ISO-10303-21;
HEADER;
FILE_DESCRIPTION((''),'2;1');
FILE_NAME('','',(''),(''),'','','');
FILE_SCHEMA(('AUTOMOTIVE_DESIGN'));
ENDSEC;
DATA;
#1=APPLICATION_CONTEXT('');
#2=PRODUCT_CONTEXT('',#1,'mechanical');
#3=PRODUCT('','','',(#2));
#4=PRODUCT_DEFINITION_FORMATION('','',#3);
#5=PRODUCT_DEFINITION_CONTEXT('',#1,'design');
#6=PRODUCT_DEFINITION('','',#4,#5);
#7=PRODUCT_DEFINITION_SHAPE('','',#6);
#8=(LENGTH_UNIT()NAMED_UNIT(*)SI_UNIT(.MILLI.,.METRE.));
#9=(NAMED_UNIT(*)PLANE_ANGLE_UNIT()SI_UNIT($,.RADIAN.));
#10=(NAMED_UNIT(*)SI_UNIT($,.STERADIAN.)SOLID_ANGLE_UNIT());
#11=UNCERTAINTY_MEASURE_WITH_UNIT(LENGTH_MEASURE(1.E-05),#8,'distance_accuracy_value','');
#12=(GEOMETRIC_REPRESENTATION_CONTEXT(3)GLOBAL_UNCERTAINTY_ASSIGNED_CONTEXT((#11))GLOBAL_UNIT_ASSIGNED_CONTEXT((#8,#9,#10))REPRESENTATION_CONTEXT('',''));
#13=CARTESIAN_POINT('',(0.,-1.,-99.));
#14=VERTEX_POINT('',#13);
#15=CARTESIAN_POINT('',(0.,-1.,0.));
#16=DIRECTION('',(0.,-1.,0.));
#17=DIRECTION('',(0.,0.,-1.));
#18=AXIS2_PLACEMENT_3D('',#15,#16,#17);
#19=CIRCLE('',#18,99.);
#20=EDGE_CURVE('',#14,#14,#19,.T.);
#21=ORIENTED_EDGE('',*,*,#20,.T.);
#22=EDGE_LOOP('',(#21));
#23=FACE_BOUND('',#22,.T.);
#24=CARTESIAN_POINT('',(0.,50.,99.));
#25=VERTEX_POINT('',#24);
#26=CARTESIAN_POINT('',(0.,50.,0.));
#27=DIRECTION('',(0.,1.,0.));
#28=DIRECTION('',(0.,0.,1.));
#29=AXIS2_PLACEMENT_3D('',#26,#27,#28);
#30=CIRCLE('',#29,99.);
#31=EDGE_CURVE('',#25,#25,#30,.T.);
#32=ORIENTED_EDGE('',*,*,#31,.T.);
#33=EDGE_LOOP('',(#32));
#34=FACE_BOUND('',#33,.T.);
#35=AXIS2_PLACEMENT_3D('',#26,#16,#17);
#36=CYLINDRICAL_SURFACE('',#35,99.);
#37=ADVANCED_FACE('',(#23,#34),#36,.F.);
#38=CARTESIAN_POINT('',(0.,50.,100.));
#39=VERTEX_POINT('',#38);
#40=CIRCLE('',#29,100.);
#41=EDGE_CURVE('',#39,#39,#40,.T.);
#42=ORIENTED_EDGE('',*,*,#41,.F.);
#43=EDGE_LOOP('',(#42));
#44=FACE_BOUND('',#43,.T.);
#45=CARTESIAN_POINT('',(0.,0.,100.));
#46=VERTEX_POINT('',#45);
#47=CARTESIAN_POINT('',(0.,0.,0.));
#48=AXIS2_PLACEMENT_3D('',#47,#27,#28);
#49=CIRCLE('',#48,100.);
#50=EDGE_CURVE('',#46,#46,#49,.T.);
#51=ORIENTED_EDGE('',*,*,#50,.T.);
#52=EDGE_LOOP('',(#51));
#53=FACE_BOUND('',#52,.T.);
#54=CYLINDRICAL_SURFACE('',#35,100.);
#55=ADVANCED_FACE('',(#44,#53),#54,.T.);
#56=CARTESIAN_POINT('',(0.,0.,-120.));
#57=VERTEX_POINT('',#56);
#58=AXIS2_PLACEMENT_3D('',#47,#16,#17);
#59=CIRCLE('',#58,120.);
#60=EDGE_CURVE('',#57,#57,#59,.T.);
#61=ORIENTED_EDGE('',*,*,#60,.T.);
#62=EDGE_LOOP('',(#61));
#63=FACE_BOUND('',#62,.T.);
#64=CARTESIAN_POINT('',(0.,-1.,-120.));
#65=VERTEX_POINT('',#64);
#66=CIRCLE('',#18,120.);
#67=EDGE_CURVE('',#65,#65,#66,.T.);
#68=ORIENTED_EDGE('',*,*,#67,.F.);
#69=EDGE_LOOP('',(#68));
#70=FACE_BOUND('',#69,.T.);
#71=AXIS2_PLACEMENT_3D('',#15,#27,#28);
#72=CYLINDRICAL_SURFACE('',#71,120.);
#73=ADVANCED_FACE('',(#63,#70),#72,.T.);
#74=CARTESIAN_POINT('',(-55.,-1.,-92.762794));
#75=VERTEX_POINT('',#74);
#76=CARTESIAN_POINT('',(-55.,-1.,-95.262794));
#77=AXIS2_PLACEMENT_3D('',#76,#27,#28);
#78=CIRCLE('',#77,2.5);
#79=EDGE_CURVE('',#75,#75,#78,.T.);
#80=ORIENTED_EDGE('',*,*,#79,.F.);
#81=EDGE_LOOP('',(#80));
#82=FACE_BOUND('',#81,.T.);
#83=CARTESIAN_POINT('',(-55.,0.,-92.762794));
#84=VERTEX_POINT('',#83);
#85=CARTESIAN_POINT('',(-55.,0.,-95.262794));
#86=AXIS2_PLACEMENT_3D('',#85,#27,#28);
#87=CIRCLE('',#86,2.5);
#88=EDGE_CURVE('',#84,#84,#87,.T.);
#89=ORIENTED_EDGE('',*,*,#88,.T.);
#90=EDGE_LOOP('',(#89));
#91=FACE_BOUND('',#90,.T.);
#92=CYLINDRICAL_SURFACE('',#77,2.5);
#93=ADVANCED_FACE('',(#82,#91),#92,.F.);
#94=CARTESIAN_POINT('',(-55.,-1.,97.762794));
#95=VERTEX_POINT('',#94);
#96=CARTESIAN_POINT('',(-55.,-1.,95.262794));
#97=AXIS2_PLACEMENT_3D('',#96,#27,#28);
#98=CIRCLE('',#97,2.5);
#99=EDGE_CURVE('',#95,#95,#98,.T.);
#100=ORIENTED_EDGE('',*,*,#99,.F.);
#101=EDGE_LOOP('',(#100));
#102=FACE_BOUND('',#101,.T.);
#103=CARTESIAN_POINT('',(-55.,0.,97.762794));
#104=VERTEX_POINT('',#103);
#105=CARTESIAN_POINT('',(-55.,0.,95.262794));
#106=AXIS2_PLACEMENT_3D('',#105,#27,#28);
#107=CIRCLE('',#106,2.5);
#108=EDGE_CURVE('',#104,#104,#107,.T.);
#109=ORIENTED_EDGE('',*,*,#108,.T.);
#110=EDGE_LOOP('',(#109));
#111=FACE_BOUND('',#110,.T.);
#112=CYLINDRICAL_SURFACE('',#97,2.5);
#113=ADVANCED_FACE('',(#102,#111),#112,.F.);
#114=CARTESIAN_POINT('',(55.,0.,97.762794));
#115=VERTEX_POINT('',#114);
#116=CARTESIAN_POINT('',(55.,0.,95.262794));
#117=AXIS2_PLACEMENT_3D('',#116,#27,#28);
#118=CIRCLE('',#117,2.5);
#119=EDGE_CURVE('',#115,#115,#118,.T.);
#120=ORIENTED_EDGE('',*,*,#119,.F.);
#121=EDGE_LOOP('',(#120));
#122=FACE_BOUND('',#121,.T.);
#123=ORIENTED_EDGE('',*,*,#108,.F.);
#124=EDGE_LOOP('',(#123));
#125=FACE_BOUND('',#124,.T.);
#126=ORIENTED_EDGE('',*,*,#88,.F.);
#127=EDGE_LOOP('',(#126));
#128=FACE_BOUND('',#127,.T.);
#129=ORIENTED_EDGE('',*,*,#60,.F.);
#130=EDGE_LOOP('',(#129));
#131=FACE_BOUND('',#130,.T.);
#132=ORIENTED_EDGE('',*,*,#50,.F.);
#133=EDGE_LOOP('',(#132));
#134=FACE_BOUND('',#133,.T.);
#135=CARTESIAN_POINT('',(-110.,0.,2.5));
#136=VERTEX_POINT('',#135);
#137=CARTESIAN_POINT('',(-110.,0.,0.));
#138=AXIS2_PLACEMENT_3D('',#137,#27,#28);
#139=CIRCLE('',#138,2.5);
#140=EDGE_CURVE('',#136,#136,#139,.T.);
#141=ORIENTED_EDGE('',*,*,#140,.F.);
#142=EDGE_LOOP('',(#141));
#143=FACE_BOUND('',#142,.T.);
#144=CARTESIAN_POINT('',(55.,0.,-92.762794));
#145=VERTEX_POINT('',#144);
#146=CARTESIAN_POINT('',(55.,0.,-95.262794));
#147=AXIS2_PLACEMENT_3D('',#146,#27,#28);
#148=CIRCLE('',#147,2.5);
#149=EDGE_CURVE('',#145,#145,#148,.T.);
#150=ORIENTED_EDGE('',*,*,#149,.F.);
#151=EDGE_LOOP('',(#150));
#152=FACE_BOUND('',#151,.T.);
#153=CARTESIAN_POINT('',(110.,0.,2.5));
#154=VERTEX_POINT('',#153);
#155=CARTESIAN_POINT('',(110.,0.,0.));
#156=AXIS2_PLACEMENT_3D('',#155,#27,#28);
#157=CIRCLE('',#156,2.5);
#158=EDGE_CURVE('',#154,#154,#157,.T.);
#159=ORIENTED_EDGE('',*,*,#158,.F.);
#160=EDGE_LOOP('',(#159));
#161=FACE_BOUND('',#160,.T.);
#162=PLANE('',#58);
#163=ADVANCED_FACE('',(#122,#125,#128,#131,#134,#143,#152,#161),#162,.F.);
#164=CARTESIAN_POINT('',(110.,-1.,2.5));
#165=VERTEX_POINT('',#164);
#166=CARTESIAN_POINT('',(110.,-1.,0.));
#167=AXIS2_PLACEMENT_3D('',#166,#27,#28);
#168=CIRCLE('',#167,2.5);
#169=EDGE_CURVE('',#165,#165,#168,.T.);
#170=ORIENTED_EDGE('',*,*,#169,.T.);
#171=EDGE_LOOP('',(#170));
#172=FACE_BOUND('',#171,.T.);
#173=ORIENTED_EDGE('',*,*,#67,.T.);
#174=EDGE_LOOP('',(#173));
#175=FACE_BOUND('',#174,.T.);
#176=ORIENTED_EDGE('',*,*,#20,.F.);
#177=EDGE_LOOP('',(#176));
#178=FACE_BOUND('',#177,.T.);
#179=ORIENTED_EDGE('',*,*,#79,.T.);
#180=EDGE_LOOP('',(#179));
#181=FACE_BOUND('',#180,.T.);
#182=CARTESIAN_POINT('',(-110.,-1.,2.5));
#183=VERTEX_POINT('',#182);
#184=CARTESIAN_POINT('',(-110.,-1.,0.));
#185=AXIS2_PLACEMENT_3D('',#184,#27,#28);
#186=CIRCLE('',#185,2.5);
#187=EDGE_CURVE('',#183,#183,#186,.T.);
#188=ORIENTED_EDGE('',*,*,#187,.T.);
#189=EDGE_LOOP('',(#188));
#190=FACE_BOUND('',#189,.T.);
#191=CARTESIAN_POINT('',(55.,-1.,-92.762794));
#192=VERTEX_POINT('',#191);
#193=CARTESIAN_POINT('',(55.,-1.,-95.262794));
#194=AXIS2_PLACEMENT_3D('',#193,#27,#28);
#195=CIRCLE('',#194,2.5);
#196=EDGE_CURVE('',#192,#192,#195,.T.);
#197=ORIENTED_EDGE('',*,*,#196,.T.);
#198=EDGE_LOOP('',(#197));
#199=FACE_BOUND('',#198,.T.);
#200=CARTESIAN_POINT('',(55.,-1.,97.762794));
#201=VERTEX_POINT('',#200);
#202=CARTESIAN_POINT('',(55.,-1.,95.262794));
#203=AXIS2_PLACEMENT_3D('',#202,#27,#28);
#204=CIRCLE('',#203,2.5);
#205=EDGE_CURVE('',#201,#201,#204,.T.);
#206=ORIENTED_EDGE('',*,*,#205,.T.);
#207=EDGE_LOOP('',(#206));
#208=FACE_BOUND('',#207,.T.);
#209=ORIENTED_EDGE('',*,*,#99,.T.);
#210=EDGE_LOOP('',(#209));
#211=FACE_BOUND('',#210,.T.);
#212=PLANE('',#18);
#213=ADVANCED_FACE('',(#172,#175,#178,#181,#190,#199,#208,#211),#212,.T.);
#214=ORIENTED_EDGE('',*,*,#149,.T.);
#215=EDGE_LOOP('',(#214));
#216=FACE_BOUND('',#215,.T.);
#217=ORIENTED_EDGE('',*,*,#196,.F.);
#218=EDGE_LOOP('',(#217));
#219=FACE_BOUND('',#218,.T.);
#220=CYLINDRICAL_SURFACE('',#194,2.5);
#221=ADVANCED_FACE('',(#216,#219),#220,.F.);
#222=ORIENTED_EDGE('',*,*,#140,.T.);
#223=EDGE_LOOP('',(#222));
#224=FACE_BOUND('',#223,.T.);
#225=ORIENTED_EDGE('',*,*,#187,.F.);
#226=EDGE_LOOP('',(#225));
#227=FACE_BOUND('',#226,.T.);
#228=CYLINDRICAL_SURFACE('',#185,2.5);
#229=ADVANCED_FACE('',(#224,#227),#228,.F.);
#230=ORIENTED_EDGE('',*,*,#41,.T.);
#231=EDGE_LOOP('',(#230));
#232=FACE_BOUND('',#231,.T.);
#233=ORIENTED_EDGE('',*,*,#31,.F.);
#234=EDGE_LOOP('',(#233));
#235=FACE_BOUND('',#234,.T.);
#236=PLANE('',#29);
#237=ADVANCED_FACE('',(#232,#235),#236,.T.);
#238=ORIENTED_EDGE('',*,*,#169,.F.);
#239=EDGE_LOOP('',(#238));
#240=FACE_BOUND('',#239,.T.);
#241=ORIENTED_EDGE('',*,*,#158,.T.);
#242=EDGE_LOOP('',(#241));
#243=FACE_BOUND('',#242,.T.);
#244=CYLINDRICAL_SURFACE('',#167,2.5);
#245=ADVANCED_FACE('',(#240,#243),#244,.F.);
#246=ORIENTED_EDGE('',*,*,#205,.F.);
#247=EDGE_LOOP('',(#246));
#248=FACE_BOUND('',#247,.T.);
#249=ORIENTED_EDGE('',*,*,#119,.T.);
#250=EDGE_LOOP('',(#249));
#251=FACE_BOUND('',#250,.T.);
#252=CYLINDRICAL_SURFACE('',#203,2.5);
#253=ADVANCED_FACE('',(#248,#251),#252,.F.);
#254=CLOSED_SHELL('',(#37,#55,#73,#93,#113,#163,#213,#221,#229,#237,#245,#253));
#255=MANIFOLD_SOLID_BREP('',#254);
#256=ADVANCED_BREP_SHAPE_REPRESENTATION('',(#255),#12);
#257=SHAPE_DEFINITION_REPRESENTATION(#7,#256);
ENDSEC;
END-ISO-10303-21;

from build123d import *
from build123d.topology import SkipClean

# Parameters (mm, degrees)
SKETCH1_R           = 100
SKETCH1_R_2         = 99
BOSS_EXTRUDE1_DEPTH = 50
BOSS_EXTRUDE2_START = 1
SKETCH2_R           = 120
SKETCH2_R_2         = 99
BOSS_EXTRUDE2_DEPTH = 1
SKETCH3_R           = 2.5
CUT_EXTRUDE1_DEPTH  = 1


with BuildPart() as part:
    # Sketch1 → Boss-Extrude1 (new body)
    with BuildSketch(Plane(origin=(0, 0, 0), x_dir=(1, 0, 0), z_dir=(0, 1, 0))):
        with Locations(Location((0, 0, 0), (0, 0, 270))):
            Circle(SKETCH1_R)
        with Locations(Location((0, 0, 0), (0, 0, 270))):
            Circle(SKETCH1_R_2, mode=Mode.SUBTRACT)
    extrude(amount=BOSS_EXTRUDE1_DEPTH)

    # Sketch2 → Boss-Extrude2 (add)
    with SkipClean():  # the faces are left unmerged after this step: merging them gives an invalid solid
        with BuildSketch(Plane.XZ.offset(BOSS_EXTRUDE2_START)):
            with Locations(Location((0, 0, 0), (0, 0, 270))):
                Circle(SKETCH2_R)
            with Locations(Location((0, 0, 0), (0, 0, 270))):
                Circle(SKETCH2_R_2, mode=Mode.SUBTRACT)
        extrude(amount=-BOSS_EXTRUDE2_DEPTH)

    # Sketch3 → Cut-Extrude1 (cut)
    with SkipClean():  # the faces are left unmerged after this step: merging them gives an invalid solid
        with BuildSketch(Plane(origin=(0, 0, 0), x_dir=(1, 0, 0), z_dir=(0, 1, 0))):
            with Locations(Location((-110, 0, 0), (0, 0, 270))):
                Circle(SKETCH3_R)
            with Locations(Location((-55, 95.262794416, 0), (0, 0, 270))):
                Circle(SKETCH3_R)
            with Locations(Location((55, 95.262794416, 0), (0, 0, 270))):
                Circle(SKETCH3_R)
            with Locations(Location((110, 0, 0), (0, 0, 270))):
                Circle(SKETCH3_R)
            with Locations(Location((55, -95.262794416, 0), (0, 0, 270))):
                Circle(SKETCH3_R)
            with Locations(Location((-55, -95.262794416, 0), (0, 0, 270))):
                Circle(SKETCH3_R)
        extrude(amount=-CUT_EXTRUDE1_DEPTH, mode=Mode.SUBTRACT)


solid = part.part
